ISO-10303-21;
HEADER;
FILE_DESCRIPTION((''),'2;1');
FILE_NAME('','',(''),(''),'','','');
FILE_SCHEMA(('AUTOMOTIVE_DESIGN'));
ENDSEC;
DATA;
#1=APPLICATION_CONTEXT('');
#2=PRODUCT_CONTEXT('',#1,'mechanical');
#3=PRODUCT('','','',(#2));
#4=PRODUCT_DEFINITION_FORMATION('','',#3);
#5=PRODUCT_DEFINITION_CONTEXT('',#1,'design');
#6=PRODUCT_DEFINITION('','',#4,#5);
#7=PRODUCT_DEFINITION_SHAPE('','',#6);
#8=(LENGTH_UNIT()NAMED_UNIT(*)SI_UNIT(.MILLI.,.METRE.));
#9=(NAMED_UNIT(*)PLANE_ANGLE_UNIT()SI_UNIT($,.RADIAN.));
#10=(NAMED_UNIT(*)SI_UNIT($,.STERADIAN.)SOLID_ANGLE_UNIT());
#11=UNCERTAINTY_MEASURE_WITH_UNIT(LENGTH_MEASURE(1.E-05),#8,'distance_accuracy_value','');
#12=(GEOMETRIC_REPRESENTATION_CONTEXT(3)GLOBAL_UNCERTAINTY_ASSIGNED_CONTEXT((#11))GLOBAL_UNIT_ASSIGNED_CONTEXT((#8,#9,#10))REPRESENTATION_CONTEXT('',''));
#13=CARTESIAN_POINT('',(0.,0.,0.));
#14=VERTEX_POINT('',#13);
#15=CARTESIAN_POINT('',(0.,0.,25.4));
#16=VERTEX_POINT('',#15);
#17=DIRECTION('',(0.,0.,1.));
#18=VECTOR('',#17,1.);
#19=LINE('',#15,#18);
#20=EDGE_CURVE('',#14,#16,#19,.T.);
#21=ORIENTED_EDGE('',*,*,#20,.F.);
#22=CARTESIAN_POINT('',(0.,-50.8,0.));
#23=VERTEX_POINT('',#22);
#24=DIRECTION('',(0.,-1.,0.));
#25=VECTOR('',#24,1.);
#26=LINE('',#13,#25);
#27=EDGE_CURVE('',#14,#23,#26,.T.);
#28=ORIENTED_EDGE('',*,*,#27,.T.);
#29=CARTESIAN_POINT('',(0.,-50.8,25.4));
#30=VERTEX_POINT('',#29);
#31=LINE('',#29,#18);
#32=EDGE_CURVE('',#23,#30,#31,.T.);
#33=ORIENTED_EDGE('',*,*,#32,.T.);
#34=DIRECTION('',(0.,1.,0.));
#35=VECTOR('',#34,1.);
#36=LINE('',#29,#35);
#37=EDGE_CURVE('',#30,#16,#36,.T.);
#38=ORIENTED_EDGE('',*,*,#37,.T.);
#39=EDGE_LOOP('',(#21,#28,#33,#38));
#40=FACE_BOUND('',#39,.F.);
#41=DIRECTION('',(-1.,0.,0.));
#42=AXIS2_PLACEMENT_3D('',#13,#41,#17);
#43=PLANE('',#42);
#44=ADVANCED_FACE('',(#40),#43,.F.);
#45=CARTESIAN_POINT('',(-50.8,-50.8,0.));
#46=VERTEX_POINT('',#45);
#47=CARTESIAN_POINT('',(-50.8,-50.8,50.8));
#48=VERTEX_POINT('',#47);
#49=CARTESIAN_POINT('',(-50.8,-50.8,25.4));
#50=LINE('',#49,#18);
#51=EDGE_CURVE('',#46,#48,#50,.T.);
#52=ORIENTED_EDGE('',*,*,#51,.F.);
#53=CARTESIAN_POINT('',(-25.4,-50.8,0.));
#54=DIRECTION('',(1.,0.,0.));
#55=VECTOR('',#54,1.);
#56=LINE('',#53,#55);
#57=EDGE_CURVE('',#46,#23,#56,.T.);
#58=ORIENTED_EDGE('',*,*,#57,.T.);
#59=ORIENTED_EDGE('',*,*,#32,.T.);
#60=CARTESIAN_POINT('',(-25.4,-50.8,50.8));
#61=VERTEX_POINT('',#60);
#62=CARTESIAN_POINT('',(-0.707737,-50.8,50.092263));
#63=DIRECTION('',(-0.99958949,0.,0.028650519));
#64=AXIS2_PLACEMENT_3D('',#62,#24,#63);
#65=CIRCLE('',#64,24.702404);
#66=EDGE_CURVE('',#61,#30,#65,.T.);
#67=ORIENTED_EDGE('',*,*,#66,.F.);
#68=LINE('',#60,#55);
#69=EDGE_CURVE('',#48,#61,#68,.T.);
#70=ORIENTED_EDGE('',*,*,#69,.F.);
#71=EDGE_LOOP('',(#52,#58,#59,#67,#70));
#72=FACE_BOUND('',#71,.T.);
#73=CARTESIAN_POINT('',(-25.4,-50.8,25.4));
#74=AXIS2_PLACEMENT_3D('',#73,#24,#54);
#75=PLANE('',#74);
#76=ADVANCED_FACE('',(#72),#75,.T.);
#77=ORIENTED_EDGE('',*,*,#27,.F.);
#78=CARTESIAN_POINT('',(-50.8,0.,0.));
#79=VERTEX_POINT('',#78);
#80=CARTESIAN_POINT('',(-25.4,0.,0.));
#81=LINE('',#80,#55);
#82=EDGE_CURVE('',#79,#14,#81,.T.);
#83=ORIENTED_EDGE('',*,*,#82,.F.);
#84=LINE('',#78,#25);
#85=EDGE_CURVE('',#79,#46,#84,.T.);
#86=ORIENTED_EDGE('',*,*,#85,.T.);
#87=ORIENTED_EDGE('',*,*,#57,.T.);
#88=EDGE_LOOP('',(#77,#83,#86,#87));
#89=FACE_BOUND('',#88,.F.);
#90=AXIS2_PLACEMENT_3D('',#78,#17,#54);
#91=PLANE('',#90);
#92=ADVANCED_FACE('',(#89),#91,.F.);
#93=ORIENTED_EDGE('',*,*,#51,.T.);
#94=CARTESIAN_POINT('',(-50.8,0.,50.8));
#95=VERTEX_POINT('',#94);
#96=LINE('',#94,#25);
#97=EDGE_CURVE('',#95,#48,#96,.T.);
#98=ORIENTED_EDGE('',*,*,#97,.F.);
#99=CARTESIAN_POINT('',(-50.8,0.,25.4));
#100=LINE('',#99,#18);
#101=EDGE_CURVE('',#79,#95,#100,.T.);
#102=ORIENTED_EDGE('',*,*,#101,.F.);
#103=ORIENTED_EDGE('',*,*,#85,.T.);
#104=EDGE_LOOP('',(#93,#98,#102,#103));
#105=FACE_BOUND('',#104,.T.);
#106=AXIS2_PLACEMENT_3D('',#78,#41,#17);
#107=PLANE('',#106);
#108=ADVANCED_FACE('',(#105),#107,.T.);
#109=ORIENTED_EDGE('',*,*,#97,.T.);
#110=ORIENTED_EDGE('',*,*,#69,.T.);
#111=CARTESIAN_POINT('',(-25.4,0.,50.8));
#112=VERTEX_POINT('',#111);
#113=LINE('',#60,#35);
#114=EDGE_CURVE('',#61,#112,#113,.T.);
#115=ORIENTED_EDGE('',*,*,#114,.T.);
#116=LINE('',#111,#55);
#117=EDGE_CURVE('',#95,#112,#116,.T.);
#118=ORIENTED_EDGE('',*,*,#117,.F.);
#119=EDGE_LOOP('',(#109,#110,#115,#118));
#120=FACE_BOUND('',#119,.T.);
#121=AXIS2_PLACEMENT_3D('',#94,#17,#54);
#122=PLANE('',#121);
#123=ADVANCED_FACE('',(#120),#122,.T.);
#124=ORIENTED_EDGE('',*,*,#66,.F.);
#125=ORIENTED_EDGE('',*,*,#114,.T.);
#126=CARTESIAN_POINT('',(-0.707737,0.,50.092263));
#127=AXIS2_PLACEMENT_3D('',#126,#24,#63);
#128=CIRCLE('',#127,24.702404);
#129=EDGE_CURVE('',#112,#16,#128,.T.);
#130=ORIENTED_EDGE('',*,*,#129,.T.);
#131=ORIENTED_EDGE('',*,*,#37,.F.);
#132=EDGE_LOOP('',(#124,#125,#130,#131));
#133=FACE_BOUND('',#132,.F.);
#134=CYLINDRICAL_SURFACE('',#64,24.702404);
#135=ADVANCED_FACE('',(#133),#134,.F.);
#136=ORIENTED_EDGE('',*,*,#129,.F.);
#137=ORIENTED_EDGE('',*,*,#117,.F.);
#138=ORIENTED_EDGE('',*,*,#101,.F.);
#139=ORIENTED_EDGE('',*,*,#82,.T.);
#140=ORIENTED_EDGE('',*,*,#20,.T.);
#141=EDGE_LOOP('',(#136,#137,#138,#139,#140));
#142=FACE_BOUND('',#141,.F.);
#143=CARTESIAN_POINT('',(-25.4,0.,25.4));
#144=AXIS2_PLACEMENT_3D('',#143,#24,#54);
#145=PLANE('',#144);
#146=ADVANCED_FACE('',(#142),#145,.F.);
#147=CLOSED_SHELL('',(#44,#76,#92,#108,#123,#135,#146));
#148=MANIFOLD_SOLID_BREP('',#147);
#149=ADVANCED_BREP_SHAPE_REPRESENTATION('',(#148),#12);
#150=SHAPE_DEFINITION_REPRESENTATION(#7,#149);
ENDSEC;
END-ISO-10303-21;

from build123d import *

# Parameters (mm, degrees)
F0_W     = 50.8
F0_H     = 50.8
F1_DEPTH = 50.8
F3_DEPTH = 50.8


with BuildPart() as f1:
    # F0 (on Front) → F1 (new body)
    with BuildSketch(Plane.XZ):
        with Locations((-25.4, 25.4)):
            Rectangle(F0_W, F0_H)
    extrude(amount=F1_DEPTH)

    # F2 (on face) → F3 (cut)
    with BuildSketch(Plane.XZ.offset(50.8)):
        with BuildLine():
            Line((0, 50.8), (-25.4, 50.8))
            ThreePointArc((-25.4, 50.8), (-18.174974, 32.625026), (0, 25.4))
            Line((0, 25.4), (0, 50.8))
        make_face()
    extrude(amount=-F3_DEPTH, mode=Mode.SUBTRACT)


solid = f1.part
